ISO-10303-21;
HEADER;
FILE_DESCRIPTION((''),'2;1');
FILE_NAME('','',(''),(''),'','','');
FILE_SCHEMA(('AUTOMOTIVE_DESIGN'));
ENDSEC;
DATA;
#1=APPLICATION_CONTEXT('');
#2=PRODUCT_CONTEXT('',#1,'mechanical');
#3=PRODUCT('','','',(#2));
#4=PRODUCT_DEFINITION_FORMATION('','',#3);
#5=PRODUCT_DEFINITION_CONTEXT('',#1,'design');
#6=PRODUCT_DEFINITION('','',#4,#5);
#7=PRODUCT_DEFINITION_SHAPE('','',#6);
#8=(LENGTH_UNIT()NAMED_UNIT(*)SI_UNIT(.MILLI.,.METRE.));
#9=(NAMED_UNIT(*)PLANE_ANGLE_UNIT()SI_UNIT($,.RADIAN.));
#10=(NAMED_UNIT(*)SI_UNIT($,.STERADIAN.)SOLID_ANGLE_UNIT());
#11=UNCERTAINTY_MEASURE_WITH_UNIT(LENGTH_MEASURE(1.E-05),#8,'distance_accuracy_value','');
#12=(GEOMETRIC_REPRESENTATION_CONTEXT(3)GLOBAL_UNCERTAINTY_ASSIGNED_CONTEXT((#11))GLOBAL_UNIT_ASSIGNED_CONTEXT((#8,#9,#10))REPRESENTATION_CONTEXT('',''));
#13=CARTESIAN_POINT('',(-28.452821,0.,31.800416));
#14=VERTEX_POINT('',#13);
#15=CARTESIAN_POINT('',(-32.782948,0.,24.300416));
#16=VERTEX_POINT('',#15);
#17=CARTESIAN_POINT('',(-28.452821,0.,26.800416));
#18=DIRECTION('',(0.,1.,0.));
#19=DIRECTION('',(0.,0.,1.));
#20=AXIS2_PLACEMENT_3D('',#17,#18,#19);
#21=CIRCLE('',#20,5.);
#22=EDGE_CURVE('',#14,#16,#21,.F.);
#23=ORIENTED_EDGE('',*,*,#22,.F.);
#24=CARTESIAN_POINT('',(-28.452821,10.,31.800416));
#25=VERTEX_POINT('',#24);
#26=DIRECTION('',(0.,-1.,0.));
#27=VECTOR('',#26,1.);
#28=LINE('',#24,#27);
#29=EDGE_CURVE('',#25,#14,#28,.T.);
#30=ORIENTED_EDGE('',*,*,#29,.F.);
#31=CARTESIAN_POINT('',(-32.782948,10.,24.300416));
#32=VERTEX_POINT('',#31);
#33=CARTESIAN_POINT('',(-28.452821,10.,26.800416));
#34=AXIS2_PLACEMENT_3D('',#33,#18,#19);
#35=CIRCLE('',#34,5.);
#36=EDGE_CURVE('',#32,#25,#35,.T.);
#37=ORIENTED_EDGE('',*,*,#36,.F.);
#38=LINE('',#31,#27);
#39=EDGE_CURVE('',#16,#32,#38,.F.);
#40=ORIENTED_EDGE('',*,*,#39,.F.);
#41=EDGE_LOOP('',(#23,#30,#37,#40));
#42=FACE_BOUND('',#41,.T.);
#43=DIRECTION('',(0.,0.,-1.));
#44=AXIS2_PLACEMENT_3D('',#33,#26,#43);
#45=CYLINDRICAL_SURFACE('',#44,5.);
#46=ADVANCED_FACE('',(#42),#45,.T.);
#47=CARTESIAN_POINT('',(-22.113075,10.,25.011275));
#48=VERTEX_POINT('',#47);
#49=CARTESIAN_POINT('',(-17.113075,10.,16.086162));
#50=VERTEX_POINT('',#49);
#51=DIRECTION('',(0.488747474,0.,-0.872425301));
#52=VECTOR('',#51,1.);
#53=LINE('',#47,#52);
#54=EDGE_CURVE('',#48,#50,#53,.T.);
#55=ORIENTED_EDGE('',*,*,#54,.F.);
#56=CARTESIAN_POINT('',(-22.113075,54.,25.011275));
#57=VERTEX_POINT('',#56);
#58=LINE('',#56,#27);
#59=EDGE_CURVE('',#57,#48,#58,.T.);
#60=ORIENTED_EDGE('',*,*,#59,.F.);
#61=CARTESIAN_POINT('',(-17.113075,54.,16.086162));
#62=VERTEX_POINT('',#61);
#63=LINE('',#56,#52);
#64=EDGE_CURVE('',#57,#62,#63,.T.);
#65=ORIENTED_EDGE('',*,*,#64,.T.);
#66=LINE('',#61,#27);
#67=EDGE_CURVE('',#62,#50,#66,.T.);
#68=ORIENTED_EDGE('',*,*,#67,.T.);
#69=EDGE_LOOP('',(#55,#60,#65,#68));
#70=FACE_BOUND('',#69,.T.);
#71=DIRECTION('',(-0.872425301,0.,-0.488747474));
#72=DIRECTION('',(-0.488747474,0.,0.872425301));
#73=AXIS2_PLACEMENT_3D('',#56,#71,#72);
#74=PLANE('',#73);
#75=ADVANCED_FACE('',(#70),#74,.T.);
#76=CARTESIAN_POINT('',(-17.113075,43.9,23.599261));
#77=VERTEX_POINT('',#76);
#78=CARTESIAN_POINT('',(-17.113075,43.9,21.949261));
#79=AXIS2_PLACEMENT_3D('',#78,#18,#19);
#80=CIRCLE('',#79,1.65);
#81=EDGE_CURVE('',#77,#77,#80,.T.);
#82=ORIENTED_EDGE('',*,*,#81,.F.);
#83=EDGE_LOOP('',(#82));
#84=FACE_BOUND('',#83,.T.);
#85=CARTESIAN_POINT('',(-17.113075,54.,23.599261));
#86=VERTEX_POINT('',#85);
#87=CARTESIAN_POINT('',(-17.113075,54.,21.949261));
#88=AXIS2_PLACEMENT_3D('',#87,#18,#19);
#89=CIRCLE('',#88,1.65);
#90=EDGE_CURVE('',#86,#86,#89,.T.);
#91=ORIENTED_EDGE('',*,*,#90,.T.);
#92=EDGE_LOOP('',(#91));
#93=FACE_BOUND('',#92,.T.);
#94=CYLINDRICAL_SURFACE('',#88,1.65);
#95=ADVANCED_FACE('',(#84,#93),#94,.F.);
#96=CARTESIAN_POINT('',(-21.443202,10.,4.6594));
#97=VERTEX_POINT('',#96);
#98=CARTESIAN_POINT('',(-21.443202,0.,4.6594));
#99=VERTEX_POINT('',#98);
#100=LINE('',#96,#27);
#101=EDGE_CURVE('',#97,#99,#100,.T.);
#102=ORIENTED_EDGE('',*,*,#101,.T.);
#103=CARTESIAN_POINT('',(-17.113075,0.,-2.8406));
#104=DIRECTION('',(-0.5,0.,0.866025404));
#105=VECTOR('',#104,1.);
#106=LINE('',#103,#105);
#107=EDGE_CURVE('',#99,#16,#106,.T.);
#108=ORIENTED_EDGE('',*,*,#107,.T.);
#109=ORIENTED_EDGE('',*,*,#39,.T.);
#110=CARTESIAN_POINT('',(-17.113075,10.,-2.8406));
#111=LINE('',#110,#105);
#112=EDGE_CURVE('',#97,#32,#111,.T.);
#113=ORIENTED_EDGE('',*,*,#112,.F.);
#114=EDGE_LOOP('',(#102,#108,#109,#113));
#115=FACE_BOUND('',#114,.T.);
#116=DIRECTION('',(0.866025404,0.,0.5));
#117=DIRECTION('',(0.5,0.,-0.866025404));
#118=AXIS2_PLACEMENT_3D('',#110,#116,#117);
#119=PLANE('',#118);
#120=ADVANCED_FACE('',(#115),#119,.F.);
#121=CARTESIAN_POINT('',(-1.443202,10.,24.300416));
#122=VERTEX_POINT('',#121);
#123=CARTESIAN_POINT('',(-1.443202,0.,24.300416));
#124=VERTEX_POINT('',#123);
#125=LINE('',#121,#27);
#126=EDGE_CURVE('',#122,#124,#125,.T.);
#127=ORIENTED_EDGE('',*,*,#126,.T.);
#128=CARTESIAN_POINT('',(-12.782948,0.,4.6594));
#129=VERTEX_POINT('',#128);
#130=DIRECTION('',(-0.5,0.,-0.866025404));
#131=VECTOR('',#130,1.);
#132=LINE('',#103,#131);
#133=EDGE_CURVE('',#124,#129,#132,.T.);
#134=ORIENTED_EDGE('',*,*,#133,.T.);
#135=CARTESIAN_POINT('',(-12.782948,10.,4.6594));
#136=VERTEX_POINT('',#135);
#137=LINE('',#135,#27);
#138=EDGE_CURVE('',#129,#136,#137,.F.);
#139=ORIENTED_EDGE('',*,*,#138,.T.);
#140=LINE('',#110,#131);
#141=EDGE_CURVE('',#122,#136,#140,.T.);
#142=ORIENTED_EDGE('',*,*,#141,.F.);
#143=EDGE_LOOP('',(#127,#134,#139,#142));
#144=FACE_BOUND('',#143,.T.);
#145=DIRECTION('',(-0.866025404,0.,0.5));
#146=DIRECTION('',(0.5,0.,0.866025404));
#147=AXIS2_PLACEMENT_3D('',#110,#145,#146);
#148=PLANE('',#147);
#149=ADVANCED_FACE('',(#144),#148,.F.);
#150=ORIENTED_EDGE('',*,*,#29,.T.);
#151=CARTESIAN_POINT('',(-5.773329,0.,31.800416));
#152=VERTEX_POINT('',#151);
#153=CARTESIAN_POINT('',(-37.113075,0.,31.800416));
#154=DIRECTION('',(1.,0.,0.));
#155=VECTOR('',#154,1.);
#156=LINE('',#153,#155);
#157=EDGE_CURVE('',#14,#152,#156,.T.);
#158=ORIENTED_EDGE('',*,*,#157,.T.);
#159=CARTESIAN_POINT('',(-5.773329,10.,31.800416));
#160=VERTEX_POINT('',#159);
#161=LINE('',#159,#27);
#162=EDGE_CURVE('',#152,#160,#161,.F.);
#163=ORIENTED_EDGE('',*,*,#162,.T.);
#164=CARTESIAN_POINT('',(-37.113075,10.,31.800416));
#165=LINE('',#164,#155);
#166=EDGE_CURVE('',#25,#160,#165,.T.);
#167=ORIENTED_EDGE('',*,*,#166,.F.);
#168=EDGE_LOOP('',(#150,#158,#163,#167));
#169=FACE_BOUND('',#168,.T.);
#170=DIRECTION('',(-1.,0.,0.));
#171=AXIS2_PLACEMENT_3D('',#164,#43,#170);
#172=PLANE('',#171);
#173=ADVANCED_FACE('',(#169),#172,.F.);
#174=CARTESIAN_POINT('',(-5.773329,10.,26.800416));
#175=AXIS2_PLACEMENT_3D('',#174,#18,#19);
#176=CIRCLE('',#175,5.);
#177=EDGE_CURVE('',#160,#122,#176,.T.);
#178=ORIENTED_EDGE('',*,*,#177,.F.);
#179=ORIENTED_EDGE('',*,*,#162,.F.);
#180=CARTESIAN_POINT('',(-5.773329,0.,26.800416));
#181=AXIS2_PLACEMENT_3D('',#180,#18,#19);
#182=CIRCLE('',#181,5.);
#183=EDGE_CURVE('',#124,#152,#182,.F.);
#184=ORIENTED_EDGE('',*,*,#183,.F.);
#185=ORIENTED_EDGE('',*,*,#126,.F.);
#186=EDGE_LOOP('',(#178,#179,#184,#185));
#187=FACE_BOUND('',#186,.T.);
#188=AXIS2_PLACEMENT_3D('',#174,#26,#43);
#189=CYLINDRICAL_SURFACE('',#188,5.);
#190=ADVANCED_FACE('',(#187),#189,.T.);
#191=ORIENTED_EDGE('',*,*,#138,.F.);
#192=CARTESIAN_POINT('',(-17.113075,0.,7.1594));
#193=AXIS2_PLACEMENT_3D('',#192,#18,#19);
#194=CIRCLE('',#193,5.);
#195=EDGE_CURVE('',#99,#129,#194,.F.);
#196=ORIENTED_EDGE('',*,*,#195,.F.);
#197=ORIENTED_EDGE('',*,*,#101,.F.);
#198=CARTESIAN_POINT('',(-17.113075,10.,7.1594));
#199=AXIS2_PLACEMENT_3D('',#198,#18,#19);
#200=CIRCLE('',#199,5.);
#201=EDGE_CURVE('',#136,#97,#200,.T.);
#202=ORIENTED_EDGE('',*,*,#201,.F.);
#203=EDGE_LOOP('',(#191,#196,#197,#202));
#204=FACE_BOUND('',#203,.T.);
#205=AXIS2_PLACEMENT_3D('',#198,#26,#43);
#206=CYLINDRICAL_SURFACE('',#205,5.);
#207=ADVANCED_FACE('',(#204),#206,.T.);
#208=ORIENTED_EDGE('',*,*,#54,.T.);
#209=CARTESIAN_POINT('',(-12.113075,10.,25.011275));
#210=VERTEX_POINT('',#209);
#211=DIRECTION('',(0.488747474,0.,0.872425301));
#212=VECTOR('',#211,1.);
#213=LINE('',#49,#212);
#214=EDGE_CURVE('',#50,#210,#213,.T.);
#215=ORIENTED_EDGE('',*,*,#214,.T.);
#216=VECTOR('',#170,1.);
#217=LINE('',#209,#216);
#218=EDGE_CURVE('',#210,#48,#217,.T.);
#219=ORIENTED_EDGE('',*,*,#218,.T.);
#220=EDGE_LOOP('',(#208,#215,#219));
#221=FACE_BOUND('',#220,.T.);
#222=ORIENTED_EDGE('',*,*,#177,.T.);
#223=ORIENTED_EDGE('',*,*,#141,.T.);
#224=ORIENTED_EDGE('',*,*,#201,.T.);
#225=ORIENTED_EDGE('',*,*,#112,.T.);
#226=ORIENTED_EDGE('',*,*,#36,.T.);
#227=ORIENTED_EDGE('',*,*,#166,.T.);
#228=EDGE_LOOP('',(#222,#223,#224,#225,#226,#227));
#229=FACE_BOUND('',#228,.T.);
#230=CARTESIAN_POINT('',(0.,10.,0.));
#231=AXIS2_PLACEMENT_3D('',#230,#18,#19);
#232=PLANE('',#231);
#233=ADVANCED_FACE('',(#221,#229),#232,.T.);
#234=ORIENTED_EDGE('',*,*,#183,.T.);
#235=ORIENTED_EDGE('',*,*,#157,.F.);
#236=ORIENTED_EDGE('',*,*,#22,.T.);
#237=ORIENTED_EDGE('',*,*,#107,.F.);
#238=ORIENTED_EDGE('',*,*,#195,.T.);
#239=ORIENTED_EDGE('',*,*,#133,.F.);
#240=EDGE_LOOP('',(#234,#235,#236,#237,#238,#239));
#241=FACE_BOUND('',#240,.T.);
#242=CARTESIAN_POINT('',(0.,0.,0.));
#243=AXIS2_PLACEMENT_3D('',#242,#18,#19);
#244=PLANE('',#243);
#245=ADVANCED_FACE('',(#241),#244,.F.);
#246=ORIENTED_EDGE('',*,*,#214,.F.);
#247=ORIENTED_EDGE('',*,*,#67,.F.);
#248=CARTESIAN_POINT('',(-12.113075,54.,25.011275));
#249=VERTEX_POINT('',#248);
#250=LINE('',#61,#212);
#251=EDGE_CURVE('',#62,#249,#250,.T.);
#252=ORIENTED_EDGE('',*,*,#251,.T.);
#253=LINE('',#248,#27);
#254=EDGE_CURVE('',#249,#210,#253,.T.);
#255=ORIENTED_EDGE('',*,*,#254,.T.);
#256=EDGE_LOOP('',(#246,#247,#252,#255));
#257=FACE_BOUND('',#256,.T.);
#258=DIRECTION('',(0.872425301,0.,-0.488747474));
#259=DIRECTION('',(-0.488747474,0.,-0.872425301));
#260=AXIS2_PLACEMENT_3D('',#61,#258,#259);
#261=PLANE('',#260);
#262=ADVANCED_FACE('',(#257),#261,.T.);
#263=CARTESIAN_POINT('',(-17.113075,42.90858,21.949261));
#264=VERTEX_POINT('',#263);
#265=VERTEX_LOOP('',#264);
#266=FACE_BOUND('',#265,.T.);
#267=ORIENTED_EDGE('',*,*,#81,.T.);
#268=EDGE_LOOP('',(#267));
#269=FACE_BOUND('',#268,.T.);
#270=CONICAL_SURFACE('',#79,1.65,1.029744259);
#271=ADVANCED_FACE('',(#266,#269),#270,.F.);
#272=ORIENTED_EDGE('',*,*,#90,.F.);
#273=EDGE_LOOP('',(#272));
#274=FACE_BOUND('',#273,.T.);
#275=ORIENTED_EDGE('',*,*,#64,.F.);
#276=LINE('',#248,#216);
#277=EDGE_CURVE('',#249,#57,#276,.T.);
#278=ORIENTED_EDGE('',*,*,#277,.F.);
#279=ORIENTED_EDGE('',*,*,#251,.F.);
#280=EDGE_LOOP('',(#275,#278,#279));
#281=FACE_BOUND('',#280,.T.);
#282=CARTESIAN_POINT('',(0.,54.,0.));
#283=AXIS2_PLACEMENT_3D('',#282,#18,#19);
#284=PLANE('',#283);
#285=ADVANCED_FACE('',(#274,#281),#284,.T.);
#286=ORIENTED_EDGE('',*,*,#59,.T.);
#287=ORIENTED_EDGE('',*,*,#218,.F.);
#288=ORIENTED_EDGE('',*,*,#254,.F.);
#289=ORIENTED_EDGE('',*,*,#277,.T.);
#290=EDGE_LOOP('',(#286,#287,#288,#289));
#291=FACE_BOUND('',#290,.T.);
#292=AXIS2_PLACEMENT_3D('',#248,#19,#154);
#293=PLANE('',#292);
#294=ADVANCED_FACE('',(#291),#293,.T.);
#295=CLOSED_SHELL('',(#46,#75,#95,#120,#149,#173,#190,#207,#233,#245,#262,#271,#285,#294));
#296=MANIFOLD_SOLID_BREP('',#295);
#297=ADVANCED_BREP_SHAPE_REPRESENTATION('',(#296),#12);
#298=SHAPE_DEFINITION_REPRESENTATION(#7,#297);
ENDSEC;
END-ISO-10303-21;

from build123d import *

# Parameters (mm, degrees)
EXTRUDE_1_DEPTH        = 10
FILLET_1_R             = 5
EXTRUDE_2_DEPTH        = 44
HOLE_WIZARD_M4_1_D     = 3.3
HOLE_WIZARD_M4_1_DEPTH = 10.1
HOLE_WIZARD_M4_1_TIP   = 0.991420021


with BuildPart() as part:
    # 草图1 → 凸台-拉伸1 (new body)
    with BuildSketch(Plane(origin=(0, 0, 0), x_dir=(1, 0, 0), z_dir=(0, 1, 0))):
        Polygon((-17.113074928, 2.840600346), (-37.113074928, -31.800415806), (2.886925072, -31.800415806), align=None)
    extrude(amount=EXTRUDE_1_DEPTH)

    # 圆角1
    fillet_1_edges = [part.edges().sort_by_distance(p)[0] for p in [
        (2.886925072, 5, 31.800415806),
        (-37.113074928, 5, 31.800415806),
        (-17.113074928, 5, -2.840600346),
    ]]
    fillet(fillet_1_edges, radius=FILLET_1_R)

    # 草图2 → 凸台-拉伸2 (add)
    with BuildSketch(Plane(origin=(0, 10, 0), x_dir=(1, 0, 0), z_dir=(0, 1, 0))):
        Polygon((-17.113074928, -16.086161566), (-12.113074928, -25.011274713), (-22.113074928, -25.011274713), align=None)
    extrude(amount=EXTRUDE_2_DEPTH)

    # M4 螺纹孔1
    with Locations(Plane(origin=(0, 54, 0), x_dir=(1, 0, 0), z_dir=(0, 1, 0))):
        with Locations((-17.113074928, -21.949260608)):
            Hole(HOLE_WIZARD_M4_1_D / 2, depth=HOLE_WIZARD_M4_1_DEPTH)
            with Locations((0, 0, -(HOLE_WIZARD_M4_1_DEPTH + HOLE_WIZARD_M4_1_TIP / 2))):  # 118° drill point
                Cone(0, HOLE_WIZARD_M4_1_D / 2, HOLE_WIZARD_M4_1_TIP, mode=Mode.SUBTRACT)


solid = part.part
